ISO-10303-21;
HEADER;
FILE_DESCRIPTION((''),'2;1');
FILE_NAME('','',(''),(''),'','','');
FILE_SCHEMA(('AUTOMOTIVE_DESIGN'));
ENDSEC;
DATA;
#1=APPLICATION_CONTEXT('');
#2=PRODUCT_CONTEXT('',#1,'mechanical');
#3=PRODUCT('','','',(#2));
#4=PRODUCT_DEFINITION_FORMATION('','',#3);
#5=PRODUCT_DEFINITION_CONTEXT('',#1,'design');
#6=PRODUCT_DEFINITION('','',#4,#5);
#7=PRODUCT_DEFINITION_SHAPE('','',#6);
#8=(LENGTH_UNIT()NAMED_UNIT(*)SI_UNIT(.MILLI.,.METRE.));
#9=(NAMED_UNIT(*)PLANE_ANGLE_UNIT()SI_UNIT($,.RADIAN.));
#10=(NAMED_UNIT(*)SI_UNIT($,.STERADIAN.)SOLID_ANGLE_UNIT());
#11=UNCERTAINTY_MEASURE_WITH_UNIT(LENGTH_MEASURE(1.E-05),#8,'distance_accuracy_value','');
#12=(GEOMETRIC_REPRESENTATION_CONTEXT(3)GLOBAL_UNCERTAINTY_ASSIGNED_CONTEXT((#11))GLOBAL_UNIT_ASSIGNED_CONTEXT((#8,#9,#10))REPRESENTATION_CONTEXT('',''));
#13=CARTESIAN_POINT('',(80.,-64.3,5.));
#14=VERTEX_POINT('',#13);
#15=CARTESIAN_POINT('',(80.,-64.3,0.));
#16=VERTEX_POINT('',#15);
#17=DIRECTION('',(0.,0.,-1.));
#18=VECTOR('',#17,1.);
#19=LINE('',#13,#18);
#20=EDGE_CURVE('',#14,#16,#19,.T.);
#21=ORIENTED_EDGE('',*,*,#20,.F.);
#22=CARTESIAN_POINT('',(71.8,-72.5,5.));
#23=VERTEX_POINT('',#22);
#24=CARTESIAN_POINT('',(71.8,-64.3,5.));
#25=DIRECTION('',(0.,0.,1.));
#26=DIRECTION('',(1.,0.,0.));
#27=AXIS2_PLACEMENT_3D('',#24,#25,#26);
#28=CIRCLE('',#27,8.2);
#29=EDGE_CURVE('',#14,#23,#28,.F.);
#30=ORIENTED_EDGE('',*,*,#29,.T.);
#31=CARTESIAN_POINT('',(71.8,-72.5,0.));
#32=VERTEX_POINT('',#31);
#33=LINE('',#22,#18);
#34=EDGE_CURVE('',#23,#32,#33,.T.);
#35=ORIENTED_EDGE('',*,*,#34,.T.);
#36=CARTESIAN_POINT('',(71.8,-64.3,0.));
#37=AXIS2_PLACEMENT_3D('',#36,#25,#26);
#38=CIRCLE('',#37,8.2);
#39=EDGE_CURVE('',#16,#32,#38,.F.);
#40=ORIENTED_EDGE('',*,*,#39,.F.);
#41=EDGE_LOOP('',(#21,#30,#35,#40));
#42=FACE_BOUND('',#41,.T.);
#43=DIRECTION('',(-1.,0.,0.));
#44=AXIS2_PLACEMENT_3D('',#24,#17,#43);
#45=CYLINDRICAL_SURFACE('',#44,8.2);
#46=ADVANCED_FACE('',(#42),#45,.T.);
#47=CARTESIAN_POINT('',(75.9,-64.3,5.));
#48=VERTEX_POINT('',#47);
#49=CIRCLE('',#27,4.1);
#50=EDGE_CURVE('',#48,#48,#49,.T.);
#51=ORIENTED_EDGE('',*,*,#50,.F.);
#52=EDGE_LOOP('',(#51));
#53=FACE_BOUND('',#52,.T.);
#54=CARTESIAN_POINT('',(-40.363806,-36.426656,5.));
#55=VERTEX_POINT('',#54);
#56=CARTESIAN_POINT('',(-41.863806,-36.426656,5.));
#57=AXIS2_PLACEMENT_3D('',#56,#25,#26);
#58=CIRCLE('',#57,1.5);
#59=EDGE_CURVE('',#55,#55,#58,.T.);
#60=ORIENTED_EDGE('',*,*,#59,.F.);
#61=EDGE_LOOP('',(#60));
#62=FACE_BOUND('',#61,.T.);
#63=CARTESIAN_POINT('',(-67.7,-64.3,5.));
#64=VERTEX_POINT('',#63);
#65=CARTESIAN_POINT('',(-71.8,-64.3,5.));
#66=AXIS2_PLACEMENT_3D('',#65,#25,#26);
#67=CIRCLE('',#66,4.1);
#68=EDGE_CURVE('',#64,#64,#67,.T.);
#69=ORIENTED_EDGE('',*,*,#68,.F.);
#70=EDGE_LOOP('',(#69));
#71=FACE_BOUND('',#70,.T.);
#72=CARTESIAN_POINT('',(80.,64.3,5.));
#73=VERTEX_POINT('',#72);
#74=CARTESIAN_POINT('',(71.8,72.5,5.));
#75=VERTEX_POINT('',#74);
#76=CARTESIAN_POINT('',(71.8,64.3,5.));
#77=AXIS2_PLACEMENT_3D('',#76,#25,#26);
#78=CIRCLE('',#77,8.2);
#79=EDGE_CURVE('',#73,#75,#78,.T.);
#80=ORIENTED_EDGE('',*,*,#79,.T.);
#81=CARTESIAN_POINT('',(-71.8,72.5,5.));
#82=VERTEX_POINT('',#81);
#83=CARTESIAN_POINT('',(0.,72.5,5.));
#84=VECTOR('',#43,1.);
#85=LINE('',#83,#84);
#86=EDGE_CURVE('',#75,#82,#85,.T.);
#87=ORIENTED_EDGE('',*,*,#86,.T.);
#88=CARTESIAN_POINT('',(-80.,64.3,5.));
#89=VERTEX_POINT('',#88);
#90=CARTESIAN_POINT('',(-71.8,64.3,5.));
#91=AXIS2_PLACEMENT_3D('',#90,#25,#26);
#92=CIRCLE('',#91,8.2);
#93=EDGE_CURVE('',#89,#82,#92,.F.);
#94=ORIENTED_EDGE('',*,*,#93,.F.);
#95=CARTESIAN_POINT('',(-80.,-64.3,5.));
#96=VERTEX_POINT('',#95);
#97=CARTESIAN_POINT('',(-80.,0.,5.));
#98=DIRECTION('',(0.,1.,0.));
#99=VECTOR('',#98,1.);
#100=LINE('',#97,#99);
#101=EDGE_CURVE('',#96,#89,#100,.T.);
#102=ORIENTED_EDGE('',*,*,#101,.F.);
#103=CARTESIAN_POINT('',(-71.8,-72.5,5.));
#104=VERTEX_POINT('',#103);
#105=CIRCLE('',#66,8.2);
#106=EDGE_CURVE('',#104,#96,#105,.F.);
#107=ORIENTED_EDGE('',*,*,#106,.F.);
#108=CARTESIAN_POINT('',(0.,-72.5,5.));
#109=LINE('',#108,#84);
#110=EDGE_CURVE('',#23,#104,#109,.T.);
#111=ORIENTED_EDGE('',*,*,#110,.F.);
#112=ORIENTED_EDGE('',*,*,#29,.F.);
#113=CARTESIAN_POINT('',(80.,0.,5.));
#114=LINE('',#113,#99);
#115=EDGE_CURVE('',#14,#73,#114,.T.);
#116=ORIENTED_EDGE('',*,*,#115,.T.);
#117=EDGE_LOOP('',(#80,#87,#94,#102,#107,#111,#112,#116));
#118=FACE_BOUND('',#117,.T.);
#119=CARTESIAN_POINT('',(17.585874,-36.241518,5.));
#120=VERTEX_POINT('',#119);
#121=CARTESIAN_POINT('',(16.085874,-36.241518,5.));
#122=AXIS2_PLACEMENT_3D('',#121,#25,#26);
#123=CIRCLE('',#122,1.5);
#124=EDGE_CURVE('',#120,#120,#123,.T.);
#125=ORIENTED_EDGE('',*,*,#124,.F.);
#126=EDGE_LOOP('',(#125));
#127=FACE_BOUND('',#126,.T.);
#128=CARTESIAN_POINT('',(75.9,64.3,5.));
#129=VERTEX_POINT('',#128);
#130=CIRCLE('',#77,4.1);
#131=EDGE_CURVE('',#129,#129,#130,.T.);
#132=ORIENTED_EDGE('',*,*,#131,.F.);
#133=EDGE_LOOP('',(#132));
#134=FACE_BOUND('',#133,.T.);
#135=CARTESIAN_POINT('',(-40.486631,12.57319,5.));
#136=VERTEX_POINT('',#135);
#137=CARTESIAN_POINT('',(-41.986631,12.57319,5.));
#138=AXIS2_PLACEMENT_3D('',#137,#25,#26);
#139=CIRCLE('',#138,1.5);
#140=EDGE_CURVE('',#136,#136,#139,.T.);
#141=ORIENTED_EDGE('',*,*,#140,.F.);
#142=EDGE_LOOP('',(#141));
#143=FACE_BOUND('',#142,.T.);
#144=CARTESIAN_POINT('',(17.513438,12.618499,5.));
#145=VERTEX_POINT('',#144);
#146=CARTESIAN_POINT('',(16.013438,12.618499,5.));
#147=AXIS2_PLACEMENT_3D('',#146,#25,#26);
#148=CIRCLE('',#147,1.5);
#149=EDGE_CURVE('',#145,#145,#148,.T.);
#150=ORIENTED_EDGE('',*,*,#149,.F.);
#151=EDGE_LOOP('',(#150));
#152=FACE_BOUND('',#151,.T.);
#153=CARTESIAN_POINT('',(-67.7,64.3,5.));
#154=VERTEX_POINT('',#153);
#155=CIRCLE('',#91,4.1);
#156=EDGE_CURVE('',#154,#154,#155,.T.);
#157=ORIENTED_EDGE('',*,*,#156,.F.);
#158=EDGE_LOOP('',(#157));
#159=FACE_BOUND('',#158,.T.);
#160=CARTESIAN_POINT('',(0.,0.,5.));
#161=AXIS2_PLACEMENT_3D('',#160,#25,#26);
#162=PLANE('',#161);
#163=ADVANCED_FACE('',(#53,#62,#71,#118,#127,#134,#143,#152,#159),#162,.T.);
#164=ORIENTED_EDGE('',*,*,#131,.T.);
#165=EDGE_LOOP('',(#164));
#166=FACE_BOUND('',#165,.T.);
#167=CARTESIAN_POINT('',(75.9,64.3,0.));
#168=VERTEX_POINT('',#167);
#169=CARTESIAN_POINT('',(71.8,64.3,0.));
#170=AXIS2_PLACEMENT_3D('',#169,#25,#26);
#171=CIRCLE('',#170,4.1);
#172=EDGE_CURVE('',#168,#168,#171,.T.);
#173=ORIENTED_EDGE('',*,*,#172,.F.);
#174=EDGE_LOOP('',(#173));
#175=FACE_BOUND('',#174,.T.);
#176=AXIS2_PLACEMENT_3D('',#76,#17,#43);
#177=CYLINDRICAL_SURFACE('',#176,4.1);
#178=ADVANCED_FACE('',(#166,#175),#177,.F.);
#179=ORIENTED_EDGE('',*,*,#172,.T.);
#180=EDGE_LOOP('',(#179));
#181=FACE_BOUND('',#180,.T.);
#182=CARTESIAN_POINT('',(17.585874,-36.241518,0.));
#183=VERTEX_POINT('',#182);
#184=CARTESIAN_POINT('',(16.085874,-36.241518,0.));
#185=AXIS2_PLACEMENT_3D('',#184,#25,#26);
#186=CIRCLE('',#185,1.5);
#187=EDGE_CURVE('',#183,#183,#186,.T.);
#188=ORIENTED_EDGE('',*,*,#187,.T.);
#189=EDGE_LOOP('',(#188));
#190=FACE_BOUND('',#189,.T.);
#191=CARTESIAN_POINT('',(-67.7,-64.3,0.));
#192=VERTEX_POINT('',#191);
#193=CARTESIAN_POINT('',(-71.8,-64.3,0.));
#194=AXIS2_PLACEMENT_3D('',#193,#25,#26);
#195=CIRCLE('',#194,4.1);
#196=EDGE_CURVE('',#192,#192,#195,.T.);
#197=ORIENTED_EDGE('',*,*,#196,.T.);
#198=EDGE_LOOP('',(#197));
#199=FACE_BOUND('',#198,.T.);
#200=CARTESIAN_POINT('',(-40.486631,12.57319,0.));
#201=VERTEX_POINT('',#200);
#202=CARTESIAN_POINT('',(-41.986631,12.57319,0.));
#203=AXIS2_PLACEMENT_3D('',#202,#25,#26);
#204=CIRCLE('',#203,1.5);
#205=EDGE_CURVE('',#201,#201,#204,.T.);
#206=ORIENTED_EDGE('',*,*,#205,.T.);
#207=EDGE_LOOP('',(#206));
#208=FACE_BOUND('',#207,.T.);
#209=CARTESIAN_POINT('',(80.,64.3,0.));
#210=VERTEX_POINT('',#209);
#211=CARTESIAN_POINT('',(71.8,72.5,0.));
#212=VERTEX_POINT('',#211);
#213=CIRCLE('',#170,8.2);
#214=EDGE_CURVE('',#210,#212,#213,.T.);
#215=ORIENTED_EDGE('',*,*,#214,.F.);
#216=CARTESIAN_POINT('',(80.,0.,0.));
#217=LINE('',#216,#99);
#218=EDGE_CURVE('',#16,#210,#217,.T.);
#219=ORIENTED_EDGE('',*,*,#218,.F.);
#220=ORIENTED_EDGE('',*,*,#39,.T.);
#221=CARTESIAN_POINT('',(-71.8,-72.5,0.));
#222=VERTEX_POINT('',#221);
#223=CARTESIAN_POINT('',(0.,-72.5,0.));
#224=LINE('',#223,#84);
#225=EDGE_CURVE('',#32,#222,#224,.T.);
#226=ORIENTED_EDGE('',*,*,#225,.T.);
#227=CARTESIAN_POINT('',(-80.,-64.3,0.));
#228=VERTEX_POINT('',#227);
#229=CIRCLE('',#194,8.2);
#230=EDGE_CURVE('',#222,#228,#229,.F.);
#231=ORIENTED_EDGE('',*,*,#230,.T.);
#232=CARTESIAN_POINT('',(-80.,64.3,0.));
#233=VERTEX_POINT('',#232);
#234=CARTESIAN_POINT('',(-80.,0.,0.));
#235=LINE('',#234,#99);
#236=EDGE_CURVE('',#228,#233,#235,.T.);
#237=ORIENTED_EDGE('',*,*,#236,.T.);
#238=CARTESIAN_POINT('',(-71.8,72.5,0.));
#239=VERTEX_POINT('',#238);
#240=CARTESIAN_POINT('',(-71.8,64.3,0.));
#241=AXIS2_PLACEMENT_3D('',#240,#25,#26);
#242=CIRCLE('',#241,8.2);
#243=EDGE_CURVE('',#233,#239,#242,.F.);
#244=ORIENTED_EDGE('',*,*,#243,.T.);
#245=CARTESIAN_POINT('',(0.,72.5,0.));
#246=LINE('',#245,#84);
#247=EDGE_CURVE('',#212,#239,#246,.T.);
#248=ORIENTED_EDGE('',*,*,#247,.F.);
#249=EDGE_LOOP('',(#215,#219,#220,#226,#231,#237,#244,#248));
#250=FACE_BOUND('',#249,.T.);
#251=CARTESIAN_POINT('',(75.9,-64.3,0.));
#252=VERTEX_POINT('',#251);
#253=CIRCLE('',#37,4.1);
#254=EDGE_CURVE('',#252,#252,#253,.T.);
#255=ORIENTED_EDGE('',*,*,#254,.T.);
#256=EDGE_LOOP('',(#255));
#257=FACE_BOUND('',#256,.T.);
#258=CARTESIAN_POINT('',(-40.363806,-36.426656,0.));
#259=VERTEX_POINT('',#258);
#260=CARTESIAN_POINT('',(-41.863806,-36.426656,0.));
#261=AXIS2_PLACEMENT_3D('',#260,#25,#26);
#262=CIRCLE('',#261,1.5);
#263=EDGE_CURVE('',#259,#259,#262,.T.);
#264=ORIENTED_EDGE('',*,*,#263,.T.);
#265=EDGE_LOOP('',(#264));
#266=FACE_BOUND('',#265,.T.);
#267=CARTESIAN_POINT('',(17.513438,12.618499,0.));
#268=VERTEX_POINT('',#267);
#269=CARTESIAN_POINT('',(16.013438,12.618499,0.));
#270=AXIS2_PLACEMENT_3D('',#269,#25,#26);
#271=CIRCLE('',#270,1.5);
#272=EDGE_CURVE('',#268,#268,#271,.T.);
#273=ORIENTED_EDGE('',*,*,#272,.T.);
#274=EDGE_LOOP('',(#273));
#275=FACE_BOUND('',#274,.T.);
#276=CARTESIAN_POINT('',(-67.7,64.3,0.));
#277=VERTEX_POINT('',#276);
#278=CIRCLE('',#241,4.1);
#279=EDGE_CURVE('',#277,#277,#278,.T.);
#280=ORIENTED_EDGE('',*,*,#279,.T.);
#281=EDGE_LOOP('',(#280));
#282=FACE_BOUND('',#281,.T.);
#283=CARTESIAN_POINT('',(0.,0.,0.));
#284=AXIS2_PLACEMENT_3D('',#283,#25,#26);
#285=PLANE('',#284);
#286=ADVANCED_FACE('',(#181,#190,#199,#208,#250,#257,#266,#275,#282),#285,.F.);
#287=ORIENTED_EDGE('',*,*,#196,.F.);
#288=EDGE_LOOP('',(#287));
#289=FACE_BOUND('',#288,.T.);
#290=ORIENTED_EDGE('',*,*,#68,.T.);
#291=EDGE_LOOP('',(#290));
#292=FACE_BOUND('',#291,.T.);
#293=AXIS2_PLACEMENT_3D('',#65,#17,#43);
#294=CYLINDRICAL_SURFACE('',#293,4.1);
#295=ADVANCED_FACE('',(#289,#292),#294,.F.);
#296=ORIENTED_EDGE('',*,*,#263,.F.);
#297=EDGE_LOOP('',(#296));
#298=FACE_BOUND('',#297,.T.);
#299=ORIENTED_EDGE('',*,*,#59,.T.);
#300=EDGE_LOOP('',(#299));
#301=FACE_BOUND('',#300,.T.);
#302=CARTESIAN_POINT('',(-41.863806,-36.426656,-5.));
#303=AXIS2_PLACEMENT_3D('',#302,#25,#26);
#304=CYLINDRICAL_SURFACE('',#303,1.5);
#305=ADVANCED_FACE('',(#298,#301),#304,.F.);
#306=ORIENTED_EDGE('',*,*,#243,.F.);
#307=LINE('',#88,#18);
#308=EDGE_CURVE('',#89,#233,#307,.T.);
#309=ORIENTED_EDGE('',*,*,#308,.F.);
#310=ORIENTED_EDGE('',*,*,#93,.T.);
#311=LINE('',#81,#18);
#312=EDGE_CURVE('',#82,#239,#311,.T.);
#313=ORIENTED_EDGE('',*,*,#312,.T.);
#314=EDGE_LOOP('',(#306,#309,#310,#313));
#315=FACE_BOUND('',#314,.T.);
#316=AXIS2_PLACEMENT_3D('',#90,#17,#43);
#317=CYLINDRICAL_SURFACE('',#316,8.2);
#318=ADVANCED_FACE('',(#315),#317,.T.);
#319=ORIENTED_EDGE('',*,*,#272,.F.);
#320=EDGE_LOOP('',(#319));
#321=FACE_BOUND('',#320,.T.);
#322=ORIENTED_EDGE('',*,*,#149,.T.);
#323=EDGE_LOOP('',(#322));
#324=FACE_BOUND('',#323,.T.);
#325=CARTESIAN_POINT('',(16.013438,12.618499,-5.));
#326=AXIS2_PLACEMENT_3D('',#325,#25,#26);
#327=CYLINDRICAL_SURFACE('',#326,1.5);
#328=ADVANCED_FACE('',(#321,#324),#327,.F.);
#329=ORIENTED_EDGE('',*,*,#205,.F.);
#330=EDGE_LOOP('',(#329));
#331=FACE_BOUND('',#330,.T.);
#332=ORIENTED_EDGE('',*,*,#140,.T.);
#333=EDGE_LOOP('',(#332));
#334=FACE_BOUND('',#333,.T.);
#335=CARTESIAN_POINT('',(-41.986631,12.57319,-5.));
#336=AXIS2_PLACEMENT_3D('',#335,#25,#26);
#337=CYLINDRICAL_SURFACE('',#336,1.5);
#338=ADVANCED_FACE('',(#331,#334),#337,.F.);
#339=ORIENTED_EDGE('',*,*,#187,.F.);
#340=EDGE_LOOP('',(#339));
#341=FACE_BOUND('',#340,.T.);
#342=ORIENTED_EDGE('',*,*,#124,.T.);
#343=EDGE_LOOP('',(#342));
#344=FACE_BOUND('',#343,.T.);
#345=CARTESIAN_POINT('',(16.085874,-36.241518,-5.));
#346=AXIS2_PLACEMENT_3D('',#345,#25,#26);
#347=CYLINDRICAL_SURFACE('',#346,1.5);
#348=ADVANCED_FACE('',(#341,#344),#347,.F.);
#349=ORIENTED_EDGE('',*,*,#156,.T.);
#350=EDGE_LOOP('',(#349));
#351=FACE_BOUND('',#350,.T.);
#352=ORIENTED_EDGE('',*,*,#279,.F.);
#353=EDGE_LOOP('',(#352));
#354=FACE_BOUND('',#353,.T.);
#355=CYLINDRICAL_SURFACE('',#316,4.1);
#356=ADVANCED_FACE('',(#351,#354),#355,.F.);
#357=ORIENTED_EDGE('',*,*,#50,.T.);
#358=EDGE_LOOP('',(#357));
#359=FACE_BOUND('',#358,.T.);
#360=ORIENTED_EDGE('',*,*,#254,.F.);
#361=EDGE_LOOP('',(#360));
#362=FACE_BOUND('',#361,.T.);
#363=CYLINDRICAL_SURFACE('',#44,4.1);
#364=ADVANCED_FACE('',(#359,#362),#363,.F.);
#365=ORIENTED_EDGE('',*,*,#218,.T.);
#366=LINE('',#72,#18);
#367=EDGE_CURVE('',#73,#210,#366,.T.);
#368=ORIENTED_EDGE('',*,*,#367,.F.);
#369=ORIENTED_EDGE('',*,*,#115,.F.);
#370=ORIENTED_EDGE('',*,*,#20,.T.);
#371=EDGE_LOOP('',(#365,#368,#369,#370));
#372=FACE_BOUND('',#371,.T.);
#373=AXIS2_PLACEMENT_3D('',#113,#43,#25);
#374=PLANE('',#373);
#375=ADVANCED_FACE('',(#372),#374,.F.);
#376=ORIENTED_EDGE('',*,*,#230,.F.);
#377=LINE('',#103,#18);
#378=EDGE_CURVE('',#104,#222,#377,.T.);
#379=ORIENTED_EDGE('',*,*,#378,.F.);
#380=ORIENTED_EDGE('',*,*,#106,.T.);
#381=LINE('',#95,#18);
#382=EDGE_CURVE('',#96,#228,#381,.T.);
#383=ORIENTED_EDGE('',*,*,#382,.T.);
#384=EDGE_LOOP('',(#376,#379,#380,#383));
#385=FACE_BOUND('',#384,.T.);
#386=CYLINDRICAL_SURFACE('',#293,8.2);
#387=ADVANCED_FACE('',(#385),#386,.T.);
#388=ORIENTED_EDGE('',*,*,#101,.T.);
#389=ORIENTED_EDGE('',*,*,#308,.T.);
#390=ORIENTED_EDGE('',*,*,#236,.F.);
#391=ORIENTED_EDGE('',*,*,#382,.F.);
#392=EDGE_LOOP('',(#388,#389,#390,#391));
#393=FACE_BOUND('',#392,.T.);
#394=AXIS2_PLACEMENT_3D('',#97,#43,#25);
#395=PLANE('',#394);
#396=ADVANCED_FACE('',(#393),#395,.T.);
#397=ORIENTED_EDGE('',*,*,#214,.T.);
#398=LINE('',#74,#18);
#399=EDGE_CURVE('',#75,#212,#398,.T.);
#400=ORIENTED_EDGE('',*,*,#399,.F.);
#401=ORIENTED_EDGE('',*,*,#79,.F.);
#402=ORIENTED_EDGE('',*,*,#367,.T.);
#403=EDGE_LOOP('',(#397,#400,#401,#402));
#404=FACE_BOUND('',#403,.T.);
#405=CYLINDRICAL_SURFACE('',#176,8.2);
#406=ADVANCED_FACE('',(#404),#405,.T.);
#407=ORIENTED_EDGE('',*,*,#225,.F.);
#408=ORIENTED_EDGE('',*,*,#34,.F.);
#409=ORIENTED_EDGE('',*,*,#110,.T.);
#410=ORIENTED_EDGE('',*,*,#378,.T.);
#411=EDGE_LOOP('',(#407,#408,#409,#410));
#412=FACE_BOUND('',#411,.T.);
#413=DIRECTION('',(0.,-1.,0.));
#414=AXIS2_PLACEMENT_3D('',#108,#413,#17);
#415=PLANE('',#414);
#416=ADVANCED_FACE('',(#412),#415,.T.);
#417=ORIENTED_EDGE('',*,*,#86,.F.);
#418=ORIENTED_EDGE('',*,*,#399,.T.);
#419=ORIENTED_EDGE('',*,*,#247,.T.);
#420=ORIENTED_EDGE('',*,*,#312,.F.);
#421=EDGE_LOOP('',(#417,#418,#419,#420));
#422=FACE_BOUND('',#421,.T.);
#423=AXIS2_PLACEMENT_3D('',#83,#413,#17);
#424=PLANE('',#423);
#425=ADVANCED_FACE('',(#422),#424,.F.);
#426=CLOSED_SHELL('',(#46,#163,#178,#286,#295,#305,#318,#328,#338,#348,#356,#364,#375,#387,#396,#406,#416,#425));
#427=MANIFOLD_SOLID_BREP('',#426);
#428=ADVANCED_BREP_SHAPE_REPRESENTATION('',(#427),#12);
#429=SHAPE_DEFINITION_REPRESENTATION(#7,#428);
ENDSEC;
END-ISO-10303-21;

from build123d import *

# Parameters (mm, degrees)
CROQUIS1_R              = 4.1
SALIENTE_EXTRUIR1_DEPTH = 5
CROQUIS2_R              = 1.5
CORTAR_EXTRUIR1_DEPTH   = 10


with BuildPart() as part:
    # Croquis1 → Saliente-Extruir1 (new body)
    with BuildSketch(Plane(origin=(0, 0, 0), x_dir=(0, 1, 0), z_dir=(0, 0, 1))):
        with BuildLine():
            ThreePointArc((-72.5, 71.8), (-70.098275606, 77.598275606), (-64.3, 80))
            Line((-64.3, 80), (64.3, 80))
            ThreePointArc((64.3, 80), (70.098275606, 77.598275606), (72.5, 71.8))
            Line((72.5, 71.8), (72.5, -71.8))
            ThreePointArc((72.5, -71.8), (70.098275606, -77.598275606), (64.3, -80))
            Line((64.3, -80), (-64.3, -80))
            ThreePointArc((-64.3, -80), (-70.098275606, -77.598275606), (-72.5, -71.8))
            Line((-72.5, -71.8), (-72.5, 71.8))
        make_face()
        with Locations(Location((-64.3, -71.8, 0), (0, 0, 270))):
            Circle(CROQUIS1_R, mode=Mode.SUBTRACT)
        with Locations(Location((64.3, -71.8, 0), (0, 0, 270))):
            Circle(CROQUIS1_R, mode=Mode.SUBTRACT)
        with Locations(Location((64.3, 71.8, 0), (0, 0, 270))):
            Circle(CROQUIS1_R, mode=Mode.SUBTRACT)
        with Locations(Location((-64.3, 71.8, 0), (0, 0, 270))):
            Circle(CROQUIS1_R, mode=Mode.SUBTRACT)
    extrude(amount=SALIENTE_EXTRUIR1_DEPTH)

    # Croquis2 → Cortar-Extruir1 (cut)
    with BuildSketch(Plane(origin=(0, 0, 5), x_dir=(0, -1, 0), z_dir=(0, 0, 1))):
        with Locations(Location((-12.573190408, -41.986630744, 0), (0, 0, 90))):
            Circle(CROQUIS2_R)
        with Locations(Location((-12.618499373, 16.013437897, 0), (0, 0, 90))):
            Circle(CROQUIS2_R)
        with Locations(Location((36.241518275, 16.085874272, 0), (0, 0, 90))):
            Circle(CROQUIS2_R)
        with Locations(Location((36.426655653, -41.863805612, 0), (0, 0, 90))):
            Circle(CROQUIS2_R)
    extrude(amount=-CORTAR_EXTRUIR1_DEPTH, mode=Mode.SUBTRACT)


solid = part.part
